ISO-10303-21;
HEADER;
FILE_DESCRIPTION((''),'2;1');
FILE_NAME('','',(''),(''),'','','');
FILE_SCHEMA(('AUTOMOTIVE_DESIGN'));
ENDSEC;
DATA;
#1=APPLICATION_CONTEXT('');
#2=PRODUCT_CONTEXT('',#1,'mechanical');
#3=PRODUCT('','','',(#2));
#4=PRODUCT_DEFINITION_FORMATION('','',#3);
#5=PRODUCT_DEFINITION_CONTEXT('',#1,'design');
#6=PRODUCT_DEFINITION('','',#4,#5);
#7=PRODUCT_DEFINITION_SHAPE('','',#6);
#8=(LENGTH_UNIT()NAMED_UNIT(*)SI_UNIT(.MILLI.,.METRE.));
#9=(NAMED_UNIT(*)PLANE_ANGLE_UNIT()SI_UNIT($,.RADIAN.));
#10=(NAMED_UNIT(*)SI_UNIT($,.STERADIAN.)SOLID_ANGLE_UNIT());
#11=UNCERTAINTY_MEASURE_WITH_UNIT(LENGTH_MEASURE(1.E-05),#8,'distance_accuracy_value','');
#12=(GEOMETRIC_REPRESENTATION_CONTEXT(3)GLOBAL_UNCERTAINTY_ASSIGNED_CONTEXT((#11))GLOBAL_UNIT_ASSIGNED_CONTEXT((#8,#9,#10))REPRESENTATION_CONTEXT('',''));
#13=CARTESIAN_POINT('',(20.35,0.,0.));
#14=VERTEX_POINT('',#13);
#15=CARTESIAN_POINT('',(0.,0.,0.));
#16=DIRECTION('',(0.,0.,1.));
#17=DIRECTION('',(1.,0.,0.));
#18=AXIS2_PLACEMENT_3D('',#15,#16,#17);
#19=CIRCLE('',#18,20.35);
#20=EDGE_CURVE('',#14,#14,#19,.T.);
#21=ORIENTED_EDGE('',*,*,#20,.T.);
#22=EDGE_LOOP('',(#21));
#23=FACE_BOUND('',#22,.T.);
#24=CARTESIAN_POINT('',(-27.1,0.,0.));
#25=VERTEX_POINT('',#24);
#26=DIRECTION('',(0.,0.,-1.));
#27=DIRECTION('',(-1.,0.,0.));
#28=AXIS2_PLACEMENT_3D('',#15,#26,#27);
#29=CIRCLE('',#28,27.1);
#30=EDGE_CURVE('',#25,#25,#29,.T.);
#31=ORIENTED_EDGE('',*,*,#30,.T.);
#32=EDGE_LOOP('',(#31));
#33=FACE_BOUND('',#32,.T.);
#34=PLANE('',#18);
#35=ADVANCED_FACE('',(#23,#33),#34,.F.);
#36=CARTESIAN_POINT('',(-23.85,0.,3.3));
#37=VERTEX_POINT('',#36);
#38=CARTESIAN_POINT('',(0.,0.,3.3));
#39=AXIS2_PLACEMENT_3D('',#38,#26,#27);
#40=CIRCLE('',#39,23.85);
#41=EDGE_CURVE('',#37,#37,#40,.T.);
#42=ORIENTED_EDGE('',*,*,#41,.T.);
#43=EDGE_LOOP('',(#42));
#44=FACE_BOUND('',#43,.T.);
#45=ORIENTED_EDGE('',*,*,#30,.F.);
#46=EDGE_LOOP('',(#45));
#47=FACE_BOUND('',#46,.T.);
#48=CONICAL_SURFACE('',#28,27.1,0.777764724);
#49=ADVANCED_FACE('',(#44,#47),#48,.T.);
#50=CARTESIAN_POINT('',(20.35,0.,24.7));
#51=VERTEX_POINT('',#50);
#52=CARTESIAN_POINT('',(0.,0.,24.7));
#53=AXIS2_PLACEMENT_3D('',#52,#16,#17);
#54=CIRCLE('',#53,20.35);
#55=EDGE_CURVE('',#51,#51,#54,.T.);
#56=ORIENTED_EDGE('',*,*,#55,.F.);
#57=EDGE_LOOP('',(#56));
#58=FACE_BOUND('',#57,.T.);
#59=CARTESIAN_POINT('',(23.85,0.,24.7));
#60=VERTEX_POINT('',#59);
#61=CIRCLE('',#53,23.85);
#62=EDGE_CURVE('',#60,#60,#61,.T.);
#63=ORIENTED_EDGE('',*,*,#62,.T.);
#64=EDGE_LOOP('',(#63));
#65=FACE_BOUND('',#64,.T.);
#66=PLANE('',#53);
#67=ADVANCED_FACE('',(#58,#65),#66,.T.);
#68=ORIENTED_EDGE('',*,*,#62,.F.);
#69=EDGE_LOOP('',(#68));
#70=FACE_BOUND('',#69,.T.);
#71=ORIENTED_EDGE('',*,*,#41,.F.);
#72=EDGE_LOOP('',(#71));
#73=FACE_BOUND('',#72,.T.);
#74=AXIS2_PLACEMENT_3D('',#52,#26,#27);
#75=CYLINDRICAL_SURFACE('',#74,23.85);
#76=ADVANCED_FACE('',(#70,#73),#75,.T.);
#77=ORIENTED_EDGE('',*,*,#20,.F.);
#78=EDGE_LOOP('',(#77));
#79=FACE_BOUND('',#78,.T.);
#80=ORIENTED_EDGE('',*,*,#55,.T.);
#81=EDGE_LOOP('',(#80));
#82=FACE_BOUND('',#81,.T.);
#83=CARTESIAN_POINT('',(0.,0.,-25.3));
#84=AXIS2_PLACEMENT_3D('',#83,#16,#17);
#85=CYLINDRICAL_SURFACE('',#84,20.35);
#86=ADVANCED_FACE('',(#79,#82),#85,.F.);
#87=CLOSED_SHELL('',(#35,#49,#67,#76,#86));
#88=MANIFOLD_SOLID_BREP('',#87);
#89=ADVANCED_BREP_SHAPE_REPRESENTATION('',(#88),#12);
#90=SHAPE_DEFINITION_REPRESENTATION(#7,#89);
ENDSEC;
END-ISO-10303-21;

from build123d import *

# Parameters (mm, degrees)
IZIM1_R                     = 27.1
Y_KSEKLIK_EKSTR_ZYON1_DEPTH = 3.3
IZIM3_R                     = 23.85
Y_KSEKLIK_EKSTR_ZYON2_DEPTH = 21.4
IZIM6_R                     = 20.35
KES_EKSTR_ZYON1_DEPTH       = 50


with BuildPart() as part:
    # Çizim1 → Yükseklik-Ekstrüzyon1 (new body)
    with BuildSketch(Plane.XY):
        Circle(IZIM1_R)
    extrude(amount=Y_KSEKLIK_EKSTR_ZYON1_DEPTH)

    # Çizim3 → Yükseklik-Ekstrüzyon2 (add)
    with BuildSketch(Plane.XY.offset(3.3)):
        Circle(IZIM3_R)
    extrude(amount=Y_KSEKLIK_EKSTR_ZYON2_DEPTH)

    # loft up to a face of the part (loft1)
    loft([Face(Wire([part.edges().sort_by_distance((-18.551226571, -19.755049803, 0))[0]])), Face(Wire([part.edges().sort_by_distance((-16.326448476, 17.385901764, 3.3))[0]]))])

    # Çizim5 → Kes-Döndür1 (revolve, cut)
    with BuildSketch(Plane(origin=(0, 0, 0), x_dir=(1, 0, 0), z_dir=(0, 1, 0))):
        Polygon((-27.1, 0), (-23.85, -3.3), (-27.1, -3.3), align=None)
    revolve(axis=Axis((0, 0, -4.734059464), (0, 0, 1)), mode=Mode.SUBTRACT)

    # Çizim6 → Kes-Ekstrüzyon1 (cut)
    with BuildSketch(Plane.XY.offset(24.7)):
        Circle(IZIM6_R)
    extrude(amount=-KES_EKSTR_ZYON1_DEPTH, mode=Mode.SUBTRACT)


solid = part.part
